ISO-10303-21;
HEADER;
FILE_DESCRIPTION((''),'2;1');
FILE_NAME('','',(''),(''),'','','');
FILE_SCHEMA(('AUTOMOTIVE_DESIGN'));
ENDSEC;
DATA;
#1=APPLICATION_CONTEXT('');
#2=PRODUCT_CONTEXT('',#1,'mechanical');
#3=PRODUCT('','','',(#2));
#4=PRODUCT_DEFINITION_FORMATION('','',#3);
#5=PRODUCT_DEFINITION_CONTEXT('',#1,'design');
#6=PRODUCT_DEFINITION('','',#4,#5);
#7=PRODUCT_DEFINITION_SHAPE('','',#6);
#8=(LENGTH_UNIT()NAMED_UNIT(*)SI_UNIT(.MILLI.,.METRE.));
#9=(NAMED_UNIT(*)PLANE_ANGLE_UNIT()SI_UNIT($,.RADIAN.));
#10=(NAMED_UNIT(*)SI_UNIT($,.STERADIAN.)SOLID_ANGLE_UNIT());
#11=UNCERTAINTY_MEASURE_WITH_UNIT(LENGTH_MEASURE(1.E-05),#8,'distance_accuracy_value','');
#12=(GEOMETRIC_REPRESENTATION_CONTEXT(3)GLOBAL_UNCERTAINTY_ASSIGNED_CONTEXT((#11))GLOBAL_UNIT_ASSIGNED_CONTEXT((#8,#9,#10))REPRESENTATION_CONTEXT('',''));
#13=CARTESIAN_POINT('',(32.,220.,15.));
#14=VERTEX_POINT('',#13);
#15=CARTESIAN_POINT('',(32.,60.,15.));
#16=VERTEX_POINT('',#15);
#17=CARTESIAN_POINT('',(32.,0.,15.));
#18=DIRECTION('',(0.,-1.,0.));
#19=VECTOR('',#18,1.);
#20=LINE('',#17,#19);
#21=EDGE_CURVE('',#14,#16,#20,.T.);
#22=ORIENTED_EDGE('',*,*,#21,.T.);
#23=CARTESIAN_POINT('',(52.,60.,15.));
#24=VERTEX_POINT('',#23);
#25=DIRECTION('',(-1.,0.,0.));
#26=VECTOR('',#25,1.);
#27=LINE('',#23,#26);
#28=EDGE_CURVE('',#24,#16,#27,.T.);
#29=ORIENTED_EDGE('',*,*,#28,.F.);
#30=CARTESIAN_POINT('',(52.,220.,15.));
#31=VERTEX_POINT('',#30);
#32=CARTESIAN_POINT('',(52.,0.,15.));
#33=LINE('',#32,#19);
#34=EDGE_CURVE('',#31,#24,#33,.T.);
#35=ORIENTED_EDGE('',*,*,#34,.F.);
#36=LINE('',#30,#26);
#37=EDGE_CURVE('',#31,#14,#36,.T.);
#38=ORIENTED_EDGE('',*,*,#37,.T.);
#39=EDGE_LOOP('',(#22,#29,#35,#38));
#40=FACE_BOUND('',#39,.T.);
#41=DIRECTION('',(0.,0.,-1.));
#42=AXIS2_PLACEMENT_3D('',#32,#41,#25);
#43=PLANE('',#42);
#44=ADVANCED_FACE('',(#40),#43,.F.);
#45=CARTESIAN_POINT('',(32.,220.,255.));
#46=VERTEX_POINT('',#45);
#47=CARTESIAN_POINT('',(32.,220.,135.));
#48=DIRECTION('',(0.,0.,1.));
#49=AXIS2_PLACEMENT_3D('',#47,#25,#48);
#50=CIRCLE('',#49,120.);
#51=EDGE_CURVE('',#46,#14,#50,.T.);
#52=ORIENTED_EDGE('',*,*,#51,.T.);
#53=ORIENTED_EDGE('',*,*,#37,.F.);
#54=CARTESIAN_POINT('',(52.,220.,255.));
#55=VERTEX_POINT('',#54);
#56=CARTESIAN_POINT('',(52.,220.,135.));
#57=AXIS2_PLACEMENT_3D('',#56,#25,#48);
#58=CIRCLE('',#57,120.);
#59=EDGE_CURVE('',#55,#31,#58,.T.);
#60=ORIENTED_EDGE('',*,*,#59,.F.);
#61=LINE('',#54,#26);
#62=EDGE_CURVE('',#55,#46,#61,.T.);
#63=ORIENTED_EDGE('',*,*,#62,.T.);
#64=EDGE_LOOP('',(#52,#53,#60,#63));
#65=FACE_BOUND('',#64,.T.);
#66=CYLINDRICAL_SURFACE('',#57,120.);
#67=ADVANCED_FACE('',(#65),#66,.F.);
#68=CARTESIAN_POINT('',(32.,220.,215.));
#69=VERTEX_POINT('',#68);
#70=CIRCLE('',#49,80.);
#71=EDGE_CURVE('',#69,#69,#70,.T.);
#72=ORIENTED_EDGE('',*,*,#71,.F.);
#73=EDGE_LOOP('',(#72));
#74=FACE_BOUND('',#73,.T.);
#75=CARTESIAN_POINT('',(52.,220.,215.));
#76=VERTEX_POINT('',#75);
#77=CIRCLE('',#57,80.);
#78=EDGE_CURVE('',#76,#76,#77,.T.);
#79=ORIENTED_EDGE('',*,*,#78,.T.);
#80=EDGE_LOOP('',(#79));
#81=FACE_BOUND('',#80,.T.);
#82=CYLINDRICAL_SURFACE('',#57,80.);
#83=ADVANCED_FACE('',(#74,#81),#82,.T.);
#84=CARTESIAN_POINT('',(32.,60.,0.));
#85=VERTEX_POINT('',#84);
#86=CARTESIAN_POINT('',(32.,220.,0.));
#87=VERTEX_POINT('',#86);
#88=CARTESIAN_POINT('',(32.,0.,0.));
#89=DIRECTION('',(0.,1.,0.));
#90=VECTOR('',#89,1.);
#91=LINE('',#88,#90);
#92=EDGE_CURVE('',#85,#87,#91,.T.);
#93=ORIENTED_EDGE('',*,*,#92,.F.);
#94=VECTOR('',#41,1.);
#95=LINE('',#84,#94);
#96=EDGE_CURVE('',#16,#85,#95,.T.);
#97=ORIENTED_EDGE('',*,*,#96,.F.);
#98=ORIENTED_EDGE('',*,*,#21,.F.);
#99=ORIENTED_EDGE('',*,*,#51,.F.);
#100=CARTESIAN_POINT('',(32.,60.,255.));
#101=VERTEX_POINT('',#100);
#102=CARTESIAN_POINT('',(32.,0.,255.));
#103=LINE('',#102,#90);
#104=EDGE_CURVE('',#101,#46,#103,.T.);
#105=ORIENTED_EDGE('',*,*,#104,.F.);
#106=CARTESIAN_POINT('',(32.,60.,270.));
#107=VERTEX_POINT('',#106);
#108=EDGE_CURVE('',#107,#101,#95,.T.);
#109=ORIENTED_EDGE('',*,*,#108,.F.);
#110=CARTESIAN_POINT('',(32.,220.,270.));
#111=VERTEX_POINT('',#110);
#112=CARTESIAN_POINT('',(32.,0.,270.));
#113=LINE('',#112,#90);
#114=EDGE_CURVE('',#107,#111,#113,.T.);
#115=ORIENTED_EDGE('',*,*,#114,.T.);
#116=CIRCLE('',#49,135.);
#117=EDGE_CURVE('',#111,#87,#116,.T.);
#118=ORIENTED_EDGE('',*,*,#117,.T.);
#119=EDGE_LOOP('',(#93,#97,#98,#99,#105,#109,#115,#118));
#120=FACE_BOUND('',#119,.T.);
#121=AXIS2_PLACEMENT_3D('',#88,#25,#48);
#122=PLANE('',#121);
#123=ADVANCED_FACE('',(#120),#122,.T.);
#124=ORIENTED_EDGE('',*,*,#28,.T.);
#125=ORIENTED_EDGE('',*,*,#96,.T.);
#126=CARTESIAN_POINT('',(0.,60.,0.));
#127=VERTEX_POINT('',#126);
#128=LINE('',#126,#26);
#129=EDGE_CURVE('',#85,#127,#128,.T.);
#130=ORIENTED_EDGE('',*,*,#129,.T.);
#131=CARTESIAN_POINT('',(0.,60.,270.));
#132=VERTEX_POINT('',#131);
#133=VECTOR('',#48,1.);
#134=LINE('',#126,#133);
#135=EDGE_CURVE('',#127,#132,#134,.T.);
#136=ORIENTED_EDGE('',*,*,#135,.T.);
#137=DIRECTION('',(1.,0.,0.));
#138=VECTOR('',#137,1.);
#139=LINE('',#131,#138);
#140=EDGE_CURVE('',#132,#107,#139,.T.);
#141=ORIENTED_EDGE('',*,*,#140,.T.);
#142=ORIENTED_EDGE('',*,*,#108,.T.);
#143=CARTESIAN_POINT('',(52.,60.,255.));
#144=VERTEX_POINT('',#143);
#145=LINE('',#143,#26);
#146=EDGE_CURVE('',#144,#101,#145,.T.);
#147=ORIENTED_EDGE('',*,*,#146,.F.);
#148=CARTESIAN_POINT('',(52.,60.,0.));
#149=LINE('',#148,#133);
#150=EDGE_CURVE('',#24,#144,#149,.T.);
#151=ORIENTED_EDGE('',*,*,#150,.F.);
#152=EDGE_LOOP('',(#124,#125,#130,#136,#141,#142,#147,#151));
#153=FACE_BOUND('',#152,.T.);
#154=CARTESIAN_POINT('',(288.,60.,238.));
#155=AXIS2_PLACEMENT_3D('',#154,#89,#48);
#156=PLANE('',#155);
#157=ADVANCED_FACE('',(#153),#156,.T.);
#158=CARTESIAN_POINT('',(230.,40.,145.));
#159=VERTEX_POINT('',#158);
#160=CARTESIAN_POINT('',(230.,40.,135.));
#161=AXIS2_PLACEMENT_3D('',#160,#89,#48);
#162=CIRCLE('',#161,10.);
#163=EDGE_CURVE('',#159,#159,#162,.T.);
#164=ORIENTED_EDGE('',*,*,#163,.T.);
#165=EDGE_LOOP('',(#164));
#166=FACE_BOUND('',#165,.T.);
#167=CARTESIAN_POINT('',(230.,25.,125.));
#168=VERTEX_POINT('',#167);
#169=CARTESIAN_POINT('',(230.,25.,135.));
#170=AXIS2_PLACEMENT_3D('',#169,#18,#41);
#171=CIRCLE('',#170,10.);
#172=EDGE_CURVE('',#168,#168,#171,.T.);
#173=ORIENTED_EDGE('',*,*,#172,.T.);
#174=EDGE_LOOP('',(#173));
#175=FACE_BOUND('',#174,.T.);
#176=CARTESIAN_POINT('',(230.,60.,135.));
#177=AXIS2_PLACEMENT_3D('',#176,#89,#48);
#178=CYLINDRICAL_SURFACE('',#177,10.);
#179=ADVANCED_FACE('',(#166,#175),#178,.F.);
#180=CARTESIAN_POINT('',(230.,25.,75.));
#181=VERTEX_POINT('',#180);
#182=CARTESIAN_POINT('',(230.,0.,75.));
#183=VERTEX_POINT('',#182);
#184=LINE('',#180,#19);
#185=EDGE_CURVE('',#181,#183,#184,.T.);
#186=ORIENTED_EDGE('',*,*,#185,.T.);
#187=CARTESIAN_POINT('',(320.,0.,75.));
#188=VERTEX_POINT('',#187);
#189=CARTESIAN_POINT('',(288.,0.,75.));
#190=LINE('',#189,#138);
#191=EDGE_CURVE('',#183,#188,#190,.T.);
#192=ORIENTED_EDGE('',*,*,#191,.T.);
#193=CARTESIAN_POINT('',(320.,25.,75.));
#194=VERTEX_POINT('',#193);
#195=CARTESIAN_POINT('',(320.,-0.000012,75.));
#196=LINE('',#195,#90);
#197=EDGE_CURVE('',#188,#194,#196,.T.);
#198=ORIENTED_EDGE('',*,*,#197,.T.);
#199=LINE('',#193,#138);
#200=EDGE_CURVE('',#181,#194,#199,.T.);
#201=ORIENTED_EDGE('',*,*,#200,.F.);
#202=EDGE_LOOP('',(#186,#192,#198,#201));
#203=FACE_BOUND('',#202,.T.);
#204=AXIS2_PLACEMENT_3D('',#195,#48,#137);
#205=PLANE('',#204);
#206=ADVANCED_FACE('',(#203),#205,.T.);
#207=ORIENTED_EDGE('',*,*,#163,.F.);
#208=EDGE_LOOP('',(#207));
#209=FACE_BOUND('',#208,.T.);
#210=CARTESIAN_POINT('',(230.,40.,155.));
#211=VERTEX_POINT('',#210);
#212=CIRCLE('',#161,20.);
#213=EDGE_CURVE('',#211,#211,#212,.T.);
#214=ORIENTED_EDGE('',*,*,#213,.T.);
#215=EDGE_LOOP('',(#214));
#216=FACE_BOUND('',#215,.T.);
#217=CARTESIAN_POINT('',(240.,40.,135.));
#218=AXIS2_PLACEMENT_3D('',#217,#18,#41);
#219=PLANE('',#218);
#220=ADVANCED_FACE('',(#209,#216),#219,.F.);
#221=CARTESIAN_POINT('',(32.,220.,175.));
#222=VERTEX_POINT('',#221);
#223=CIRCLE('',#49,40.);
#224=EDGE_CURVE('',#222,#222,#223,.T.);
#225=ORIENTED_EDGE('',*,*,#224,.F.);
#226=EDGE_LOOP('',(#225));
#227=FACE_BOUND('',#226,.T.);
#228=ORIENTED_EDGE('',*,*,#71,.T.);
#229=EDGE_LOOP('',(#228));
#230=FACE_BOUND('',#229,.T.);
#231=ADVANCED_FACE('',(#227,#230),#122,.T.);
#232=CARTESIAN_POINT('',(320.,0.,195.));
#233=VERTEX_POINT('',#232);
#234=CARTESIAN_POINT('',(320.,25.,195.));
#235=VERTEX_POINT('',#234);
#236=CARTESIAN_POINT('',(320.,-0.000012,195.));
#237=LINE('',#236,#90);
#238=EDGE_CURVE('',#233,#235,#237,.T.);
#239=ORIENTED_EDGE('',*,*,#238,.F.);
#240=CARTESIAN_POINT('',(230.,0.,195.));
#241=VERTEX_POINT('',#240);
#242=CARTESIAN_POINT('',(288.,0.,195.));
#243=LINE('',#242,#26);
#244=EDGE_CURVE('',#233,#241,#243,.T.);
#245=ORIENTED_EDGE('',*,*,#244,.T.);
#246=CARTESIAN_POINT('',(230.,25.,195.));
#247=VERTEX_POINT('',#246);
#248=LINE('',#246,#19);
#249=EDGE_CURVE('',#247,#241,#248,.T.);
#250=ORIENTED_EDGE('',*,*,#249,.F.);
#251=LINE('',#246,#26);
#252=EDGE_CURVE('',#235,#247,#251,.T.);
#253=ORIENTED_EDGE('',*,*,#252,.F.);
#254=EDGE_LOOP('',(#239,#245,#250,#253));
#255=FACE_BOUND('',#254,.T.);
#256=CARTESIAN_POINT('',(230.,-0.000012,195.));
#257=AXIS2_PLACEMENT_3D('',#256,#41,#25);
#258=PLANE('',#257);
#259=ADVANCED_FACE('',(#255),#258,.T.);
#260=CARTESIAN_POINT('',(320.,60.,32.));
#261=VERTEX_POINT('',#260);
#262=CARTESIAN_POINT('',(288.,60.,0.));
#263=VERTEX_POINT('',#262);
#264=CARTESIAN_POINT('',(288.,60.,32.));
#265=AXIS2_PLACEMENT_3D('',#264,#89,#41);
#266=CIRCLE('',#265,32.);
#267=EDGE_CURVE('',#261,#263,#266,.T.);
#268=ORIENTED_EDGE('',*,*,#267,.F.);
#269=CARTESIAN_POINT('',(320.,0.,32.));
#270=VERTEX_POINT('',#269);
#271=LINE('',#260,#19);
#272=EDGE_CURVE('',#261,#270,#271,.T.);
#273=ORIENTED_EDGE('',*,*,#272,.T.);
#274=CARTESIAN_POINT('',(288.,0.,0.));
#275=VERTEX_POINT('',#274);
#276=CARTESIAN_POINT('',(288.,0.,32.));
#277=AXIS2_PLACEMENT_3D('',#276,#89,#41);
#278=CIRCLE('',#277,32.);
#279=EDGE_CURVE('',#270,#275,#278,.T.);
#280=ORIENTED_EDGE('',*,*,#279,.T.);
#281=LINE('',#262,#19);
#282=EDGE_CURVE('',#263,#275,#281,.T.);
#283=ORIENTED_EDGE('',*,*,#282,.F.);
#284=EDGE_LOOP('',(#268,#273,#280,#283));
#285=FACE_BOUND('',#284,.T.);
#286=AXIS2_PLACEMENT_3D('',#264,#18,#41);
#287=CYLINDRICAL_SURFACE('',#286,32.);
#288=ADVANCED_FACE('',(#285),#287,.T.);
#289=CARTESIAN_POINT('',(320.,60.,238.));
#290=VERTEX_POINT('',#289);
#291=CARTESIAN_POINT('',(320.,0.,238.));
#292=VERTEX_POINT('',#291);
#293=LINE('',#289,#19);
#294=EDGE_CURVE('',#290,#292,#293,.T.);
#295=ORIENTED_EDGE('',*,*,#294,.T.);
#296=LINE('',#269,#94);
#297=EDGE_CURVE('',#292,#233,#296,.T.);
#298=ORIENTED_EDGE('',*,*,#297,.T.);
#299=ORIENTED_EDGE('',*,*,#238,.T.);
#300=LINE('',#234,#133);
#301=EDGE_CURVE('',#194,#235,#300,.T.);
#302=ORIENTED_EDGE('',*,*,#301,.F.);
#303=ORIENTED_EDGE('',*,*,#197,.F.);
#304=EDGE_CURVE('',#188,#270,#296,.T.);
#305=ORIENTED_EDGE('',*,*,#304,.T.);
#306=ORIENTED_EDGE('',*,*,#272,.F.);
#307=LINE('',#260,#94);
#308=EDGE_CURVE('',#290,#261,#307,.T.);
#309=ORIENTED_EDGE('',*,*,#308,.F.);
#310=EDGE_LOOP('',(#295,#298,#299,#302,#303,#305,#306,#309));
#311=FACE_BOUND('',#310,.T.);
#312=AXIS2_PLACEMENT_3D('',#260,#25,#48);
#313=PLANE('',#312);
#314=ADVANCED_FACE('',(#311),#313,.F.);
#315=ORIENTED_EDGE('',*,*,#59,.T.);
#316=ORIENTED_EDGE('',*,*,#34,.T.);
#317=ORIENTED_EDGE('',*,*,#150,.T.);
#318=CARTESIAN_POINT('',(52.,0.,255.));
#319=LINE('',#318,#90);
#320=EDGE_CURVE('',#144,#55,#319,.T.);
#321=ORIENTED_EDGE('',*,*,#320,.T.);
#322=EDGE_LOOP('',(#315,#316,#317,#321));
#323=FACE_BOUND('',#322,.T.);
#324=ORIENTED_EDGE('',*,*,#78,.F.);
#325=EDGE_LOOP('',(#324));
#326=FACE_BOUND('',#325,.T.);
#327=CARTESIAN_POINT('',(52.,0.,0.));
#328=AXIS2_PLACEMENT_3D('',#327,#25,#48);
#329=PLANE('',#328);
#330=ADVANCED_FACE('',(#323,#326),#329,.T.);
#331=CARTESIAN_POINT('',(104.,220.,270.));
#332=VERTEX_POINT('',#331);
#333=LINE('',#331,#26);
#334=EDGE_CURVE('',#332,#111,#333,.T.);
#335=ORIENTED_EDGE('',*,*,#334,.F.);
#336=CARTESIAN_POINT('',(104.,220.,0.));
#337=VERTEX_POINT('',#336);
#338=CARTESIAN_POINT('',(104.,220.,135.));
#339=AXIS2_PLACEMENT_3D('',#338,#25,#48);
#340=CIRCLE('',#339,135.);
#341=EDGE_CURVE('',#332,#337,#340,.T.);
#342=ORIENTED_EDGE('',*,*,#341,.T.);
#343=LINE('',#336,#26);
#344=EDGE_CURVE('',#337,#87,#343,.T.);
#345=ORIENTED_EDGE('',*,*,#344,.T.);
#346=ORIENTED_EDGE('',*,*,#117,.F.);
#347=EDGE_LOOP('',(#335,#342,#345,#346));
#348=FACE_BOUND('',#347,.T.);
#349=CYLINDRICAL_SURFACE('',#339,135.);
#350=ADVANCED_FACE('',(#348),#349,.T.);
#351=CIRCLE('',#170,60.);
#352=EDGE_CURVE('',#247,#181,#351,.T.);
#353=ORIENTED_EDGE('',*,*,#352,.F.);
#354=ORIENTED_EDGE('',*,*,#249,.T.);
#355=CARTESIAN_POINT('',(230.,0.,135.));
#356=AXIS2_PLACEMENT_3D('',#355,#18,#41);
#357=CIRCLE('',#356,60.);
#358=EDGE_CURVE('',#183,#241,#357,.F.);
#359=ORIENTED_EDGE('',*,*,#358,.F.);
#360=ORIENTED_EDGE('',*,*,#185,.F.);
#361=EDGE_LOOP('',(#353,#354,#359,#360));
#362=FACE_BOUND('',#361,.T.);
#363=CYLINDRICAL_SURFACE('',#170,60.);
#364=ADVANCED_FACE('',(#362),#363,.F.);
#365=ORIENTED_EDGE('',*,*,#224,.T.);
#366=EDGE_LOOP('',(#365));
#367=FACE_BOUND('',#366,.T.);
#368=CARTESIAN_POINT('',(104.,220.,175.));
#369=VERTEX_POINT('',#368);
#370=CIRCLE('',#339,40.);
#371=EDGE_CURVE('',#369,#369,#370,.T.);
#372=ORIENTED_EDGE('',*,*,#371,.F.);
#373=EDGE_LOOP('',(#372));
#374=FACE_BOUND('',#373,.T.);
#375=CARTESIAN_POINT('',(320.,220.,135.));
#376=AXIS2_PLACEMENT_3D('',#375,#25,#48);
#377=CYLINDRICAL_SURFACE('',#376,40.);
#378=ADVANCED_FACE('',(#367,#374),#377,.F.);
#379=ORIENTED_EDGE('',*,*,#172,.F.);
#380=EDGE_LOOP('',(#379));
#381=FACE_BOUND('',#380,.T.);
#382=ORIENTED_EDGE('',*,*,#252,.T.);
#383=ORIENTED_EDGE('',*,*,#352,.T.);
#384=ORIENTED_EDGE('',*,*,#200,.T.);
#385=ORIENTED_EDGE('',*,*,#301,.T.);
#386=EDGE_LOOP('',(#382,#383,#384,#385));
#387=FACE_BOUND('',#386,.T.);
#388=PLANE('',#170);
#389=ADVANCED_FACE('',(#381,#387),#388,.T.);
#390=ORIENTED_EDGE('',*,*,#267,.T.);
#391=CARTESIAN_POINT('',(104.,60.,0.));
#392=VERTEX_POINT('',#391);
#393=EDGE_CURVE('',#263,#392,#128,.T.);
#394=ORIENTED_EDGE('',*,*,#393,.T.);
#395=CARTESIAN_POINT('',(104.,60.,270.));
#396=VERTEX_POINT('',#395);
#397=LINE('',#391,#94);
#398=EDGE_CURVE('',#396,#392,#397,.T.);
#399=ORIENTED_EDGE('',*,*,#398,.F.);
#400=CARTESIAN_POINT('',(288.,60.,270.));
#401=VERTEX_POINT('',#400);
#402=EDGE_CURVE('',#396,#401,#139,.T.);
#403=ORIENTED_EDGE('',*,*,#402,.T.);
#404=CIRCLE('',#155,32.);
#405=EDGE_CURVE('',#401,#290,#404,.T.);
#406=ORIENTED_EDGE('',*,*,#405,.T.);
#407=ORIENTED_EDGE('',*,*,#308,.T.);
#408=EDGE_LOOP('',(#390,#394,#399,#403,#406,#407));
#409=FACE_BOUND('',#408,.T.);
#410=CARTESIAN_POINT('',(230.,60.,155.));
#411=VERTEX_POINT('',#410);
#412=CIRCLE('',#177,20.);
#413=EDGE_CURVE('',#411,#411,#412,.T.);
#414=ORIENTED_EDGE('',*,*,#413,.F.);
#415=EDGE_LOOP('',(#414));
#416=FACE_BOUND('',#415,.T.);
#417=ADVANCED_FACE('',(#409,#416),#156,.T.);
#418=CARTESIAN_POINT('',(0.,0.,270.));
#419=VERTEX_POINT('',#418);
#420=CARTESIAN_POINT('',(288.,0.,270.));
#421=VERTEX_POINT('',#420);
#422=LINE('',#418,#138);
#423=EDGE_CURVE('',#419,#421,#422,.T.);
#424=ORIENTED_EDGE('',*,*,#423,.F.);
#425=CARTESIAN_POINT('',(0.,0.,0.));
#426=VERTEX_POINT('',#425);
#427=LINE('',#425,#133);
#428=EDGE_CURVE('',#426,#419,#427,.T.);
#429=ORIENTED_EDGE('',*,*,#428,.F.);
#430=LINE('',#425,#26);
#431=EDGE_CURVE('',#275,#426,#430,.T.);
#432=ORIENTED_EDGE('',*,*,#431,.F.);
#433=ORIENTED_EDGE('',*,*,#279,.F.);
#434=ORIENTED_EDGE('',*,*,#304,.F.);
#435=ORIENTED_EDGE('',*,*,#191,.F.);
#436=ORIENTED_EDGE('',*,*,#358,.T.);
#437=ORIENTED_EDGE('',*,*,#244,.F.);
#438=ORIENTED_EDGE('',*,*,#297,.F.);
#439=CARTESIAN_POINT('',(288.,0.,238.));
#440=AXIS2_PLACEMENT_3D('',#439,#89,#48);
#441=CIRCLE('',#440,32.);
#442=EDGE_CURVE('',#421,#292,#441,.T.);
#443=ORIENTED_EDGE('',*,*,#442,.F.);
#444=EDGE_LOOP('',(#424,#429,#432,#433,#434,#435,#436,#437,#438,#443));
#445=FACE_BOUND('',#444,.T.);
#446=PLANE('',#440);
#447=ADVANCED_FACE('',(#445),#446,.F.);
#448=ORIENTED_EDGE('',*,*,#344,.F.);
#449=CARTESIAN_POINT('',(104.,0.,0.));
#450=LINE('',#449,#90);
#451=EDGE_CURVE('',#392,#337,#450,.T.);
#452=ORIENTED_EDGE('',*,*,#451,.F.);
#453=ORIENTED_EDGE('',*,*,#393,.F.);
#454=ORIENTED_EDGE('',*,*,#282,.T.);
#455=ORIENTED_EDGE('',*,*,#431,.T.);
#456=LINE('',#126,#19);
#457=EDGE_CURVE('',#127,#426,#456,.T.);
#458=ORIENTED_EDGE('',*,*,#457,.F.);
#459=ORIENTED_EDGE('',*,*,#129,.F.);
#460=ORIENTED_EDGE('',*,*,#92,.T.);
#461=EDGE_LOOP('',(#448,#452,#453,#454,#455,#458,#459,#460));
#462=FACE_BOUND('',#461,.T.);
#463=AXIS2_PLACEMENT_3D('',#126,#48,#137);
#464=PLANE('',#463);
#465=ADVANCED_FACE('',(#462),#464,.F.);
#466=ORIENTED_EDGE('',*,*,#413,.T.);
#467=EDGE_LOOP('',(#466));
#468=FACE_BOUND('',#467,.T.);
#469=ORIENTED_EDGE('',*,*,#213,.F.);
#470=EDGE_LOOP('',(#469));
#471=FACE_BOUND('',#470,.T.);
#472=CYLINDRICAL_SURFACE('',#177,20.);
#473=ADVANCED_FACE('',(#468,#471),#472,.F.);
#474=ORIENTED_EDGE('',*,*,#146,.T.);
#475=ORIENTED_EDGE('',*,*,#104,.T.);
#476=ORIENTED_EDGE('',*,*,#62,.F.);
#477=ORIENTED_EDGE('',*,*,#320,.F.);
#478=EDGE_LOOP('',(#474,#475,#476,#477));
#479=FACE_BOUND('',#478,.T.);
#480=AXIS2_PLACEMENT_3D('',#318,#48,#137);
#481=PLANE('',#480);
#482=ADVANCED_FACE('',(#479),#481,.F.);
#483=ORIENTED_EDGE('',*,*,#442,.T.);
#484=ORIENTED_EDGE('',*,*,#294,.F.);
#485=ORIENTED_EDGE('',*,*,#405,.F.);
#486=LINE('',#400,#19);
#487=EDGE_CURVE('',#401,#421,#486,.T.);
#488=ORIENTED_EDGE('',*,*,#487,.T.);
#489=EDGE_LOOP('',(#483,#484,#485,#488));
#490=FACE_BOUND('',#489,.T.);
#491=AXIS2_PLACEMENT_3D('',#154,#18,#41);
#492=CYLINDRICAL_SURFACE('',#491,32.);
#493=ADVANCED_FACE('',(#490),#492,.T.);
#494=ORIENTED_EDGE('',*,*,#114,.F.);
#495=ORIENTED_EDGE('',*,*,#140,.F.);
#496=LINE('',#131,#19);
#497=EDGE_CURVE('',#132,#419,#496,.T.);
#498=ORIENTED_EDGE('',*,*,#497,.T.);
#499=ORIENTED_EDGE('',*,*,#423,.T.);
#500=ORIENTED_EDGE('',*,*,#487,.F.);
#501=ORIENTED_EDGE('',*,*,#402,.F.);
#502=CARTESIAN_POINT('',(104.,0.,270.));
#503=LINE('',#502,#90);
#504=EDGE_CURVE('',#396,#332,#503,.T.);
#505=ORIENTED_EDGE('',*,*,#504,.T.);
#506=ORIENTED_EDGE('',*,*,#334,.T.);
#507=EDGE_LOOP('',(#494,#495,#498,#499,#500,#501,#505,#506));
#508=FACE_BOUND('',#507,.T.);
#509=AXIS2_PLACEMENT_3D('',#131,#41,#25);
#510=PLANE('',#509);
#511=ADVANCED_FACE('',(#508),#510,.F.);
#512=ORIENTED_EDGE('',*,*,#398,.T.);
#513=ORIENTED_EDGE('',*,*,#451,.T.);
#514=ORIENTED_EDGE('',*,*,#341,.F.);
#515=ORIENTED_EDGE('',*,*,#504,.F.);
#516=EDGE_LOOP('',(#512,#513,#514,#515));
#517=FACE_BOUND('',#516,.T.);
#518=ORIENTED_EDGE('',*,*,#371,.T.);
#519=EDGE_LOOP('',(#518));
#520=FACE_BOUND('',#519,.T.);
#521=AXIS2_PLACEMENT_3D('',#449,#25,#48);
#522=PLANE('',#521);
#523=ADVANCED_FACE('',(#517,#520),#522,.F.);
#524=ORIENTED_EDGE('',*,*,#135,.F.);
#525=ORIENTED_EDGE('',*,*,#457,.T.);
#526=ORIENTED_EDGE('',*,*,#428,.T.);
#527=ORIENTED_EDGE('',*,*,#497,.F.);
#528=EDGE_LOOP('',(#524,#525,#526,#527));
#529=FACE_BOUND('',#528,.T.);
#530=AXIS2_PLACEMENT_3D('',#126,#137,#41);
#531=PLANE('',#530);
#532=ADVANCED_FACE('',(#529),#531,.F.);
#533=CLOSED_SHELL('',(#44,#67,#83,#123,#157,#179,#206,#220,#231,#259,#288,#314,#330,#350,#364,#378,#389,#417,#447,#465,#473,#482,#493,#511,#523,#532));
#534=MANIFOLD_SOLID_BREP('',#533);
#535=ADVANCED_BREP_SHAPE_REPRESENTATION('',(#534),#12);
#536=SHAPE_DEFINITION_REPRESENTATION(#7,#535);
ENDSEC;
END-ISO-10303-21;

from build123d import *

# Parameters (mm, degrees)
EXTRUDE_1_DEPTH           = 60
CUT_EXTRUDE_1_DEPTH       = 423.965719651
CUT_EXTRUDE_1_DEPTH_BACK  = 25
HOLE_WIZARD_1_D           = 20
HOLE_WIZARD_1_CBORE_D     = 40
HOLE_WIZARD_1_CBORE_DEPTH = 20
EXTRUDE_START             = -32
EXTRUDE_3_DEPTH           = 72
CUT_EXTRUDE_3_DEPTH       = 531.913363931
CUT_EXTRUDE_3_DEPTH_BACK  = 531.913363931
SKETCH_10_R               = 40
SKETCH_12_R               = 80
CUT_EXTRUDE_5_DEPTH       = 20


with BuildPart() as part:
    # 草图1 → 凸台-拉伸1 (new body)
    with BuildSketch(Plane(origin=(0, 0, 0), x_dir=(1, 0, 0), z_dir=(0, 1, 0))):
        with BuildLine():
            Line((0, 0), (288, 0))
            ThreePointArc((288, 0), (310.627416998, -9.372583002), (320, -32))
            Line((320, -32), (320, -238))
            ThreePointArc((320, -238), (310.627416998, -260.627416998), (288, -270))
            Line((288, -270), (0, -270))
            Line((0, -270), (0, 0))
        make_face()
    extrude(amount=EXTRUDE_1_DEPTH)

    # 草图2 → 切除-拉伸1 (cut, two sides: drawn at the far end of the back side and taken through both)
    with BuildSketch(Plane.XZ.offset(-CUT_EXTRUDE_1_DEPTH_BACK)):
        with BuildLine():
            Line((230, 195), (320, 195))
            Line((320, 195), (320, 75))
            Line((320, 75), (230, 75))
            ThreePointArc((230, 75), (170, 135), (230, 195))
        make_face()
    extrude(amount=CUT_EXTRUDE_1_DEPTH + CUT_EXTRUDE_1_DEPTH_BACK, mode=Mode.SUBTRACT)

    # 孔1 (through all)
    with Locations(Plane(origin=(0, 60, 0), x_dir=(1, 0, 0), z_dir=(0, 1, 0))):
        with Locations((230, -135)):
            CounterBoreHole(HOLE_WIZARD_1_D / 2, HOLE_WIZARD_1_CBORE_D / 2, HOLE_WIZARD_1_CBORE_DEPTH)

    # 草图8 → 凸台-拉伸3 (add)
    with BuildSketch(Plane.ZY.offset(EXTRUDE_START)):
        with BuildLine():
            Line((0, 60), (270, 60))
            Line((270, 60), (270, 220))
            ThreePointArc((270, 220), (135, 355), (0, 220))
            Line((0, 220), (0, 60))
        make_face()
    extrude(amount=-EXTRUDE_3_DEPTH)

    # 草图10 → 切除-拉伸3 (cut, two sides: drawn at the far end of the back side and taken through both)
    with BuildSketch(Plane.ZY.offset(-32).offset(-CUT_EXTRUDE_3_DEPTH_BACK)):
        with Locations((135, 220)):
            Circle(SKETCH_10_R)
    extrude(amount=CUT_EXTRUDE_3_DEPTH + CUT_EXTRUDE_3_DEPTH_BACK, mode=Mode.SUBTRACT)

    # 草图12 → 切除-拉伸5 (cut)
    with BuildSketch(Plane.ZY.offset(-32)):
        with BuildLine():
            Line((255, 60), (255, 220))
            ThreePointArc((255, 220), (135, 340), (15, 220))
            Line((15, 220), (15, 60))
            Line((15, 60), (255, 60))
        make_face()
        with Locations((135, 220)):
            Circle(SKETCH_12_R, mode=Mode.SUBTRACT)
    extrude(amount=-CUT_EXTRUDE_5_DEPTH, mode=Mode.SUBTRACT)


solid = part.part
